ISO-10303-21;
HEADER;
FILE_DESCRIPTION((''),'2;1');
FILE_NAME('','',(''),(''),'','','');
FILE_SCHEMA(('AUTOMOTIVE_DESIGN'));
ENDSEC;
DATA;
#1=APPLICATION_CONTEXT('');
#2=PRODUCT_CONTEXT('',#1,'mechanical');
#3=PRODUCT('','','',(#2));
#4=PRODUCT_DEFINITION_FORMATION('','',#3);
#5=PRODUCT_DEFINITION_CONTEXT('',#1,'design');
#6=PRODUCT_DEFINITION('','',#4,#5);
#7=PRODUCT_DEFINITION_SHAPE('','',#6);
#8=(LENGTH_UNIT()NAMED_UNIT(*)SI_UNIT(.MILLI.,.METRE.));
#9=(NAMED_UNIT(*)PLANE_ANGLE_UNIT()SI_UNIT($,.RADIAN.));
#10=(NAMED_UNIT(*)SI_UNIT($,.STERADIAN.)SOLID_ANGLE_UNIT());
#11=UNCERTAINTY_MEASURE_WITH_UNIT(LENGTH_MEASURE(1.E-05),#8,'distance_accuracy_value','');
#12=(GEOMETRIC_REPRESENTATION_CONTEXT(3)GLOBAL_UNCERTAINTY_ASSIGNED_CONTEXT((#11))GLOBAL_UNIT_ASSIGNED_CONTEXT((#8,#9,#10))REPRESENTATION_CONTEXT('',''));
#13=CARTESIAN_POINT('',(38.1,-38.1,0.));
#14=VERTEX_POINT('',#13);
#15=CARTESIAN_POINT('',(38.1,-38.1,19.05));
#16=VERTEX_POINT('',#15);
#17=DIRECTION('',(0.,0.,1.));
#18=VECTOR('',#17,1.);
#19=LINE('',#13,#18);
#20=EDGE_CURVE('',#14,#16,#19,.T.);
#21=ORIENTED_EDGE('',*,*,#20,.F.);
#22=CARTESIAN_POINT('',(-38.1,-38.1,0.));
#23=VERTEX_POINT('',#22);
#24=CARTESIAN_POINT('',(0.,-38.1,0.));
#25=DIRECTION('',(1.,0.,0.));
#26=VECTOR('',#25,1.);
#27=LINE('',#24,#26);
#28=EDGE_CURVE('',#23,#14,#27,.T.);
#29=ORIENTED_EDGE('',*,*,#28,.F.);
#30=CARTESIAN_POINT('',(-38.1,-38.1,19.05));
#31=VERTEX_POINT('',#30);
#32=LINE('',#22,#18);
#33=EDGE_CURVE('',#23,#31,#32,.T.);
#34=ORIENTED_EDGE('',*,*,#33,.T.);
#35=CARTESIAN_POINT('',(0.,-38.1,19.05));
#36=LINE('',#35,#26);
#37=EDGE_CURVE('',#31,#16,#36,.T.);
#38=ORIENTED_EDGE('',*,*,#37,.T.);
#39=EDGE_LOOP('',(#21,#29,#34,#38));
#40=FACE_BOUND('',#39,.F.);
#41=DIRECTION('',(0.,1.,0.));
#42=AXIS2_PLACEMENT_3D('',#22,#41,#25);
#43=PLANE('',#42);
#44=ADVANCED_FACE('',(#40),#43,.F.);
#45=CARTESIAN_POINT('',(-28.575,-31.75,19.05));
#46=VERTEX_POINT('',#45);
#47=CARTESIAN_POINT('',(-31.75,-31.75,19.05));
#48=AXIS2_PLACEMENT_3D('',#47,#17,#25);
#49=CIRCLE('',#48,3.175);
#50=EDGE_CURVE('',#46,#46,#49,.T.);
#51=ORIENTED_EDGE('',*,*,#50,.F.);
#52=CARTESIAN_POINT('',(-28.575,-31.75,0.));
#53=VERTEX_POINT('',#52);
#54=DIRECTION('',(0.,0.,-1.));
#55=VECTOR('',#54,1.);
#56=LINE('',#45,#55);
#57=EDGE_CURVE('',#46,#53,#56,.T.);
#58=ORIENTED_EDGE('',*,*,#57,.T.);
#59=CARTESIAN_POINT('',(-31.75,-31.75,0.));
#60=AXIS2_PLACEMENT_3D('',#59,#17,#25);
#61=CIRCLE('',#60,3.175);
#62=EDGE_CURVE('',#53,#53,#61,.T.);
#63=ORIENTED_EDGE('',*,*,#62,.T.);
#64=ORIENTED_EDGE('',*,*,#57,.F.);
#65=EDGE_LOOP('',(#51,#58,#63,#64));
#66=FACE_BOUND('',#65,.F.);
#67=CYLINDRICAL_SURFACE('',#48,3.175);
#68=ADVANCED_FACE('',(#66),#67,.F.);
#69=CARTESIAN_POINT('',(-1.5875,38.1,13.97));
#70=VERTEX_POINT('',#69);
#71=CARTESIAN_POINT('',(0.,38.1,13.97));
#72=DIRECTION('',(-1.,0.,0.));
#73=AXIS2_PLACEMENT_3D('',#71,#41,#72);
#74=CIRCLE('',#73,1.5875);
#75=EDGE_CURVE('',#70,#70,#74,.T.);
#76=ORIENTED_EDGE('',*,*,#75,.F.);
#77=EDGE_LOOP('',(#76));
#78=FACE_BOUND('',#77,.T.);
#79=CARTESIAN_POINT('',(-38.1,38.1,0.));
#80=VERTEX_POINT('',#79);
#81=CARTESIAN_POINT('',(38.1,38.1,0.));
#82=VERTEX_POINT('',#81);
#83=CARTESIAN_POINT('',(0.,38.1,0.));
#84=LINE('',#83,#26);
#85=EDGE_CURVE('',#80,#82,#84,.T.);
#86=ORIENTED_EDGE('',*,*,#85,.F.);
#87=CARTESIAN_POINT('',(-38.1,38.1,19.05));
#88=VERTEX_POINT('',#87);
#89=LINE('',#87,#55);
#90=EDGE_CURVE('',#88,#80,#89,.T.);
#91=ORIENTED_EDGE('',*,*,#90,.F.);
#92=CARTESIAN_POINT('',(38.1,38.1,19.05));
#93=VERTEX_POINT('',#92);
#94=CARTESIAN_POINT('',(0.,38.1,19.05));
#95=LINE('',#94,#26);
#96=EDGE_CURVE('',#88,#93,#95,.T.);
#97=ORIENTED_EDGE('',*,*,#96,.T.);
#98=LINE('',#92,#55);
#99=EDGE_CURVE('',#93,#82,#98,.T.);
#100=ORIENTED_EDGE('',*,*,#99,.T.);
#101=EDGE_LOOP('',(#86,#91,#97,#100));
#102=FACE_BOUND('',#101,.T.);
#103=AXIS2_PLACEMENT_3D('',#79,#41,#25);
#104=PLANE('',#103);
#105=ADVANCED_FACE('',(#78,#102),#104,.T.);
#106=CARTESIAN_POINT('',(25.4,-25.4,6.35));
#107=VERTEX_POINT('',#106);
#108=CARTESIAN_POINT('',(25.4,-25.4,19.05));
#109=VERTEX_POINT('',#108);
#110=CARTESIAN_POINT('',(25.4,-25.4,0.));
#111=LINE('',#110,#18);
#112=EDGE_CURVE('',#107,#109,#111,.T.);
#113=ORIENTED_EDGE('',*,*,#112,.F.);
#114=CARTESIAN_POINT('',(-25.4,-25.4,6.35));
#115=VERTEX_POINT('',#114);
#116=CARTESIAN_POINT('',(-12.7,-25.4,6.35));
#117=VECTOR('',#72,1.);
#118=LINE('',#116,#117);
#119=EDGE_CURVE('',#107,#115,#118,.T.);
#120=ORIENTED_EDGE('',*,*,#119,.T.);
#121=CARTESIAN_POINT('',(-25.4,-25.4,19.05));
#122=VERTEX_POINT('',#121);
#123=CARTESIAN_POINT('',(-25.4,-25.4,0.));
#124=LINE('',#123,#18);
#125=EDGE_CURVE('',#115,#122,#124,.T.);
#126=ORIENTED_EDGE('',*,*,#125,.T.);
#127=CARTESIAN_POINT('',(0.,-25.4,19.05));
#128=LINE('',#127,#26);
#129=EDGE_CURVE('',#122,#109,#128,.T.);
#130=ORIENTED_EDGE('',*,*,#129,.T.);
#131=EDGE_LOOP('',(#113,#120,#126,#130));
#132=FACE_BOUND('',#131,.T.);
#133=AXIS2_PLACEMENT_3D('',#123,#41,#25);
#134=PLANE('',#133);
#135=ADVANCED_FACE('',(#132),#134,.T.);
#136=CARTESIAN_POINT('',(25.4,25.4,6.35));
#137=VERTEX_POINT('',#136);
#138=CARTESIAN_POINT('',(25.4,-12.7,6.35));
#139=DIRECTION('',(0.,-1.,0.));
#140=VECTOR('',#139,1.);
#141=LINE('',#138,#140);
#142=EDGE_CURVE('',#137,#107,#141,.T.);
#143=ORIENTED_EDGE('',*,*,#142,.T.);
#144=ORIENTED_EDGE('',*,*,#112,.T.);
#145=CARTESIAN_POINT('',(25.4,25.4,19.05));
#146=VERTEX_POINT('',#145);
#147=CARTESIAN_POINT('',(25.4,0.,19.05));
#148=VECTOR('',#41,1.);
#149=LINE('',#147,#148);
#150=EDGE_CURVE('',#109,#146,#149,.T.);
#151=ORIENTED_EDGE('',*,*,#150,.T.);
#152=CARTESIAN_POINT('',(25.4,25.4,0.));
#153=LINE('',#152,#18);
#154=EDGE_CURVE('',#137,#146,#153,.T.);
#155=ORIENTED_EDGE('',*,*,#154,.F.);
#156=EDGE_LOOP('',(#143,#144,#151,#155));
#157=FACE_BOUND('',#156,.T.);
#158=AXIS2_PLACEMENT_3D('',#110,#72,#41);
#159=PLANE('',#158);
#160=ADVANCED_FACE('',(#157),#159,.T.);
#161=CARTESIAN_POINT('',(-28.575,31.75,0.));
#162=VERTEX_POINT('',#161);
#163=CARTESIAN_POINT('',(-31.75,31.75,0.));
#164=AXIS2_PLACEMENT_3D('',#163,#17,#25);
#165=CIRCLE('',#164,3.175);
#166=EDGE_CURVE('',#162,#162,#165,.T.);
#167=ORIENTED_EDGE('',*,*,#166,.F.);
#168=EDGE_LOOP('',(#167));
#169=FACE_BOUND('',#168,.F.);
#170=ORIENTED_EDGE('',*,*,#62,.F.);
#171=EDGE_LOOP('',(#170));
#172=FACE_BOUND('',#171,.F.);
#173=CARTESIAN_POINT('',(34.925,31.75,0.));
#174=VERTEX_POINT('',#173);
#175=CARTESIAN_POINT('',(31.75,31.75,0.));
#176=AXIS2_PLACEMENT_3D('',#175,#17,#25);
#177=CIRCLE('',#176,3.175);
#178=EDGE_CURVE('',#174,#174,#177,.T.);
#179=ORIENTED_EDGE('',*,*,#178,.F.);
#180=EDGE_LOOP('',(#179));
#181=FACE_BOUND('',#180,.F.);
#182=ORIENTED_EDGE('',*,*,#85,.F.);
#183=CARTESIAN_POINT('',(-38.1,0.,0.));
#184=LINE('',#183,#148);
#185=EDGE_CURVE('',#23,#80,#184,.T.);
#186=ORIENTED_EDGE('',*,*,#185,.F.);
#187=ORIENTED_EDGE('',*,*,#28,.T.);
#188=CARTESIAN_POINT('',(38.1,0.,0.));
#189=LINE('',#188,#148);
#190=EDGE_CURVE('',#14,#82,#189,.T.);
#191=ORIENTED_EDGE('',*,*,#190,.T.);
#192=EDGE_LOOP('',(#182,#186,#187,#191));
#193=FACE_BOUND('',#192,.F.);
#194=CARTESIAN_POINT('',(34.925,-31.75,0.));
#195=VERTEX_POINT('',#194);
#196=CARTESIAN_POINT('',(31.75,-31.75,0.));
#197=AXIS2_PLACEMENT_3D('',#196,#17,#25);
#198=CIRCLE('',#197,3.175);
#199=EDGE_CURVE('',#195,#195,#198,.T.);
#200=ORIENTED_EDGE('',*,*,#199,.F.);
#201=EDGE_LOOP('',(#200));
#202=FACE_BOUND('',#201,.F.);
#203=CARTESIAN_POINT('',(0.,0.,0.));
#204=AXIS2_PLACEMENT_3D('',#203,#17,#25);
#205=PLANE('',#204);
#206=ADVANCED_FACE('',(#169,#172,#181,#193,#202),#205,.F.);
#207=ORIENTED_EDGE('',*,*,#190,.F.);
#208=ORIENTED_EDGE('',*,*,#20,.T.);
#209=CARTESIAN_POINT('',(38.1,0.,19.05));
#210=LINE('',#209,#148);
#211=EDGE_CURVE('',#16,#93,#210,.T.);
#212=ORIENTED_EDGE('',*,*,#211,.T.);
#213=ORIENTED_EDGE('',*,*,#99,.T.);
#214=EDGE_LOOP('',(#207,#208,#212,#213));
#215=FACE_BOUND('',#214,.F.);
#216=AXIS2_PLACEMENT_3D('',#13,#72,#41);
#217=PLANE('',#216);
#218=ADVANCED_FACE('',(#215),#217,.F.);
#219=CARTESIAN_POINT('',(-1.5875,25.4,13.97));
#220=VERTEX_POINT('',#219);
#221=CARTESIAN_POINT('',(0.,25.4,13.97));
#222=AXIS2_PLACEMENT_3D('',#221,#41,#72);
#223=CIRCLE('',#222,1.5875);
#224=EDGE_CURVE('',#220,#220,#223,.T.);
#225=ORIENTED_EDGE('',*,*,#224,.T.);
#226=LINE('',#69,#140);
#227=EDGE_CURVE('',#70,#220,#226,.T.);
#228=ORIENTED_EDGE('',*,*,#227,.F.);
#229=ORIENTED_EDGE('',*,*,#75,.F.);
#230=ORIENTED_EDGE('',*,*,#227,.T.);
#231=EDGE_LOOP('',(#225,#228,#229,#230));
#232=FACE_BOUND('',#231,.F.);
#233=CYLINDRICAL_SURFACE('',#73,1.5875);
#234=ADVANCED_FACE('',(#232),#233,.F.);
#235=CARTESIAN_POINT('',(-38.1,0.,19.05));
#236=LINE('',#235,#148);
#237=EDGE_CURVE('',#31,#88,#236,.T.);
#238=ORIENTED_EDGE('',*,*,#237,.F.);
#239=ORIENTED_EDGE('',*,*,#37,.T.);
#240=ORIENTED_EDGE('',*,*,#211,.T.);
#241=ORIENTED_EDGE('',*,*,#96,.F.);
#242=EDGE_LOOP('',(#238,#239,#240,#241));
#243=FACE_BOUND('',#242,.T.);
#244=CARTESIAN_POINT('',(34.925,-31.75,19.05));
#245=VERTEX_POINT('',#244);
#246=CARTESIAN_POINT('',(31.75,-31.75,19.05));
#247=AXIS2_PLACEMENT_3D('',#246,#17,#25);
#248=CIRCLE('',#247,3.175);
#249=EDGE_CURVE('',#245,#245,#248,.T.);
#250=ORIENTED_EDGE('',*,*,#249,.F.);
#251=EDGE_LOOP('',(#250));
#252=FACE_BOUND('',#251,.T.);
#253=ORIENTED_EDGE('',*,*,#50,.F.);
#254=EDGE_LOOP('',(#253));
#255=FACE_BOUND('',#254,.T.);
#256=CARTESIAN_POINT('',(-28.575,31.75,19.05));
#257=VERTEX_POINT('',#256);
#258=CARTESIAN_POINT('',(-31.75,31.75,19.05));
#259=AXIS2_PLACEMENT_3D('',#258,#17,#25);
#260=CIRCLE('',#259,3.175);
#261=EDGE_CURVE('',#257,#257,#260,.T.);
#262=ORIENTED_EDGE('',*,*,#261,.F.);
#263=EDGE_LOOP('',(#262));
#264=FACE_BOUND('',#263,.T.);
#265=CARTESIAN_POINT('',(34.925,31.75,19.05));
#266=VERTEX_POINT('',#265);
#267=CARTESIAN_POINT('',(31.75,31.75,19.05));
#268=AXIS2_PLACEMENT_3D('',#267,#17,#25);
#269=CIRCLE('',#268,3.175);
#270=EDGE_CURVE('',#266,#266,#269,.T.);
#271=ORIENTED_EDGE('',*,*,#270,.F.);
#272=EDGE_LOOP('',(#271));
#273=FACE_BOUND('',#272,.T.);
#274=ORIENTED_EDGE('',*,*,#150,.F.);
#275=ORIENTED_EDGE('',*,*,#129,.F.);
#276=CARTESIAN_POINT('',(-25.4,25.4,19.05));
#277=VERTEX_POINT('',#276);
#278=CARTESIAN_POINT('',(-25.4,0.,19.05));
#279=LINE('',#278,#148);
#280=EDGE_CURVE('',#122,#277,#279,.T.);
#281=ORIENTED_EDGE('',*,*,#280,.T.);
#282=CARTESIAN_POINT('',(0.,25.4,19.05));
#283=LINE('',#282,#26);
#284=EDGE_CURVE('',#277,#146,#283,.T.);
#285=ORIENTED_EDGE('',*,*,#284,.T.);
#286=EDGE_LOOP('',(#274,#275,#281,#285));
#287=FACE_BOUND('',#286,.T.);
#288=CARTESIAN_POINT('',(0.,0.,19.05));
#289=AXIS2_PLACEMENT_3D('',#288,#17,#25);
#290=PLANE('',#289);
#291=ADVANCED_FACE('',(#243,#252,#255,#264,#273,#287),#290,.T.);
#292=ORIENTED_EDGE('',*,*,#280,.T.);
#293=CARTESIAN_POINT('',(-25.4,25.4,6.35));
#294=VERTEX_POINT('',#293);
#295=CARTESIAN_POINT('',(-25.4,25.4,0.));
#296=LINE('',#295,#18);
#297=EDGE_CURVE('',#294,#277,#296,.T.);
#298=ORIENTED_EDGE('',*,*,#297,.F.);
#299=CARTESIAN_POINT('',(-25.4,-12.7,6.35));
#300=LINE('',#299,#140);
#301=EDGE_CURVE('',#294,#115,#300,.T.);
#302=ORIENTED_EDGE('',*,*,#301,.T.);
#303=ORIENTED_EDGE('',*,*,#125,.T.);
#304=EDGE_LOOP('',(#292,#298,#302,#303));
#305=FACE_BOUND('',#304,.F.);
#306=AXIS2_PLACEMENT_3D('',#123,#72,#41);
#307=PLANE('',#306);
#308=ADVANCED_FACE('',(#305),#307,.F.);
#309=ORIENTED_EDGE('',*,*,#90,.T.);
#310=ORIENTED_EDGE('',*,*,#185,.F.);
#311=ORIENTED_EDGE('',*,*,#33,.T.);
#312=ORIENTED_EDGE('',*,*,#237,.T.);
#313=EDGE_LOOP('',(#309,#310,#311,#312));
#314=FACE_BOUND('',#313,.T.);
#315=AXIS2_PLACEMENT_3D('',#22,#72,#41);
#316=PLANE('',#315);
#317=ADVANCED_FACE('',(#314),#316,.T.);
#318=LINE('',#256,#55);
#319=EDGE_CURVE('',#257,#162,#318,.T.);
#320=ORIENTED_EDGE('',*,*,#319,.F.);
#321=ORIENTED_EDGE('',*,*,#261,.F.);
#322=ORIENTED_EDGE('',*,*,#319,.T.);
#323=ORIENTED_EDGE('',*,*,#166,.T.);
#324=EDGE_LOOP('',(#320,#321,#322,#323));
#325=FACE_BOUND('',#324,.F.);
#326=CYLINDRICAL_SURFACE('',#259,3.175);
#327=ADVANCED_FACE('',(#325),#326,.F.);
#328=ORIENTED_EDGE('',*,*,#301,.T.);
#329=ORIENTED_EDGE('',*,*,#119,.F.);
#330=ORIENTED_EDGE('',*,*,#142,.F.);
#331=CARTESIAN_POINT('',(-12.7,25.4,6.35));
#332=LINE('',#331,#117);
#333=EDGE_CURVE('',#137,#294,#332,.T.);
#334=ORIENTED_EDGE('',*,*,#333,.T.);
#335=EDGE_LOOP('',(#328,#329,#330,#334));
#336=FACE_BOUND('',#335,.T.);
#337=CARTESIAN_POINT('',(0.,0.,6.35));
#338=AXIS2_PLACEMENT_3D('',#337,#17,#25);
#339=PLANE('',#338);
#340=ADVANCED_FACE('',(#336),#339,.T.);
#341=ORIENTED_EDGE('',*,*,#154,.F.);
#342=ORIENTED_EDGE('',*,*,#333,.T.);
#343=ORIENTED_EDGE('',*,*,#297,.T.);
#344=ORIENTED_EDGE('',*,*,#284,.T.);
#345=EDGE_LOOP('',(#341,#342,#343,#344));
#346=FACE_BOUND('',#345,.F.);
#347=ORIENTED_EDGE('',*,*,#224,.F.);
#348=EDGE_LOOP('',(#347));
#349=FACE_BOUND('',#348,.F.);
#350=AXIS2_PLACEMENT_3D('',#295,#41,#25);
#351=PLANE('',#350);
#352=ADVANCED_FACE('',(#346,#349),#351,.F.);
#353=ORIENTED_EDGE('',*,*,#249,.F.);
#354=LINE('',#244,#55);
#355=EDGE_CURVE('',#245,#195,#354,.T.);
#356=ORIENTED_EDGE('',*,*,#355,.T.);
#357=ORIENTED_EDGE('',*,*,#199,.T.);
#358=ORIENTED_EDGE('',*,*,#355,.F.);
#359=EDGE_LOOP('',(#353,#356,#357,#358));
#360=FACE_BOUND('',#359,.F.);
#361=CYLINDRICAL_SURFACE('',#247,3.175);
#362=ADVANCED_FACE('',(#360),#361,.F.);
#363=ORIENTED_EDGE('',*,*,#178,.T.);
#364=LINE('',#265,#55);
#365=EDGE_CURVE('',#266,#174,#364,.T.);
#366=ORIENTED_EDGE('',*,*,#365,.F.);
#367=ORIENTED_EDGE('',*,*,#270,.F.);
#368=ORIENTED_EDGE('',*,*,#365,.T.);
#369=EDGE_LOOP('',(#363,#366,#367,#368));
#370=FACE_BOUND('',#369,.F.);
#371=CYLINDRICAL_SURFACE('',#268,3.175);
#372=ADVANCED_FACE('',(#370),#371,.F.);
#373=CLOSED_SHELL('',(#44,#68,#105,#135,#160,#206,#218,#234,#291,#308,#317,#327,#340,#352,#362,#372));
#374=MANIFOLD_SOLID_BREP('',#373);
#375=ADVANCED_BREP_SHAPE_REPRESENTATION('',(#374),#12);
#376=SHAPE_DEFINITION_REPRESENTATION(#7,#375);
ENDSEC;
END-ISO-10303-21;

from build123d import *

# Parameters (mm, degrees)
F0_W     = 76.2
F0_H     = 76.2
F0_W_2   = 50.8
F0_H_2   = 50.8
F1_DEPTH = 6.35
F2_DEPTH = 19.05
F3_R     = 1.5875
F4_DEPTH = 25.4
F5_R     = 3.175
F6_DEPTH = 19.051


with BuildPart() as f1:
    # F0 (on Top) → F1 (new body)
    with BuildSketch(Plane.XY):
        Rectangle(F0_W, F0_H)
        Rectangle(F0_W_2, F0_H_2, mode=Mode.SUBTRACT)
        Rectangle(F0_W_2, F0_H_2)
    extrude(amount=F1_DEPTH)

    # F0 (on Top) → F2 (join)
    with BuildSketch(Plane.XY):
        Rectangle(F0_W, F0_H)
        Rectangle(F0_W_2, F0_H_2, mode=Mode.SUBTRACT)
    extrude(amount=F2_DEPTH)

    # F3 (on face) → F4 (cut)
    with BuildSketch(Plane(origin=(0, 38.1, 0), x_dir=(-1, 0, 0), z_dir=(0, 1, 0))):
        with Locations((0, 13.97)):
            Circle(F3_R)
    extrude(amount=-F4_DEPTH, mode=Mode.SUBTRACT)

    # F5 (on face) → F6 (cut, through all)
    with BuildSketch(Plane.XY.offset(19.05)):
        with Locations((-31.75, 31.75)):
            Circle(F5_R)
        with Locations((31.75, 31.75)):
            Circle(F5_R)
        with Locations((31.75, -31.75)):
            Circle(F5_R)
        with Locations((-31.75, -31.75)):
            Circle(F5_R)
    extrude(amount=-F6_DEPTH, mode=Mode.SUBTRACT)


solid = f1.part
